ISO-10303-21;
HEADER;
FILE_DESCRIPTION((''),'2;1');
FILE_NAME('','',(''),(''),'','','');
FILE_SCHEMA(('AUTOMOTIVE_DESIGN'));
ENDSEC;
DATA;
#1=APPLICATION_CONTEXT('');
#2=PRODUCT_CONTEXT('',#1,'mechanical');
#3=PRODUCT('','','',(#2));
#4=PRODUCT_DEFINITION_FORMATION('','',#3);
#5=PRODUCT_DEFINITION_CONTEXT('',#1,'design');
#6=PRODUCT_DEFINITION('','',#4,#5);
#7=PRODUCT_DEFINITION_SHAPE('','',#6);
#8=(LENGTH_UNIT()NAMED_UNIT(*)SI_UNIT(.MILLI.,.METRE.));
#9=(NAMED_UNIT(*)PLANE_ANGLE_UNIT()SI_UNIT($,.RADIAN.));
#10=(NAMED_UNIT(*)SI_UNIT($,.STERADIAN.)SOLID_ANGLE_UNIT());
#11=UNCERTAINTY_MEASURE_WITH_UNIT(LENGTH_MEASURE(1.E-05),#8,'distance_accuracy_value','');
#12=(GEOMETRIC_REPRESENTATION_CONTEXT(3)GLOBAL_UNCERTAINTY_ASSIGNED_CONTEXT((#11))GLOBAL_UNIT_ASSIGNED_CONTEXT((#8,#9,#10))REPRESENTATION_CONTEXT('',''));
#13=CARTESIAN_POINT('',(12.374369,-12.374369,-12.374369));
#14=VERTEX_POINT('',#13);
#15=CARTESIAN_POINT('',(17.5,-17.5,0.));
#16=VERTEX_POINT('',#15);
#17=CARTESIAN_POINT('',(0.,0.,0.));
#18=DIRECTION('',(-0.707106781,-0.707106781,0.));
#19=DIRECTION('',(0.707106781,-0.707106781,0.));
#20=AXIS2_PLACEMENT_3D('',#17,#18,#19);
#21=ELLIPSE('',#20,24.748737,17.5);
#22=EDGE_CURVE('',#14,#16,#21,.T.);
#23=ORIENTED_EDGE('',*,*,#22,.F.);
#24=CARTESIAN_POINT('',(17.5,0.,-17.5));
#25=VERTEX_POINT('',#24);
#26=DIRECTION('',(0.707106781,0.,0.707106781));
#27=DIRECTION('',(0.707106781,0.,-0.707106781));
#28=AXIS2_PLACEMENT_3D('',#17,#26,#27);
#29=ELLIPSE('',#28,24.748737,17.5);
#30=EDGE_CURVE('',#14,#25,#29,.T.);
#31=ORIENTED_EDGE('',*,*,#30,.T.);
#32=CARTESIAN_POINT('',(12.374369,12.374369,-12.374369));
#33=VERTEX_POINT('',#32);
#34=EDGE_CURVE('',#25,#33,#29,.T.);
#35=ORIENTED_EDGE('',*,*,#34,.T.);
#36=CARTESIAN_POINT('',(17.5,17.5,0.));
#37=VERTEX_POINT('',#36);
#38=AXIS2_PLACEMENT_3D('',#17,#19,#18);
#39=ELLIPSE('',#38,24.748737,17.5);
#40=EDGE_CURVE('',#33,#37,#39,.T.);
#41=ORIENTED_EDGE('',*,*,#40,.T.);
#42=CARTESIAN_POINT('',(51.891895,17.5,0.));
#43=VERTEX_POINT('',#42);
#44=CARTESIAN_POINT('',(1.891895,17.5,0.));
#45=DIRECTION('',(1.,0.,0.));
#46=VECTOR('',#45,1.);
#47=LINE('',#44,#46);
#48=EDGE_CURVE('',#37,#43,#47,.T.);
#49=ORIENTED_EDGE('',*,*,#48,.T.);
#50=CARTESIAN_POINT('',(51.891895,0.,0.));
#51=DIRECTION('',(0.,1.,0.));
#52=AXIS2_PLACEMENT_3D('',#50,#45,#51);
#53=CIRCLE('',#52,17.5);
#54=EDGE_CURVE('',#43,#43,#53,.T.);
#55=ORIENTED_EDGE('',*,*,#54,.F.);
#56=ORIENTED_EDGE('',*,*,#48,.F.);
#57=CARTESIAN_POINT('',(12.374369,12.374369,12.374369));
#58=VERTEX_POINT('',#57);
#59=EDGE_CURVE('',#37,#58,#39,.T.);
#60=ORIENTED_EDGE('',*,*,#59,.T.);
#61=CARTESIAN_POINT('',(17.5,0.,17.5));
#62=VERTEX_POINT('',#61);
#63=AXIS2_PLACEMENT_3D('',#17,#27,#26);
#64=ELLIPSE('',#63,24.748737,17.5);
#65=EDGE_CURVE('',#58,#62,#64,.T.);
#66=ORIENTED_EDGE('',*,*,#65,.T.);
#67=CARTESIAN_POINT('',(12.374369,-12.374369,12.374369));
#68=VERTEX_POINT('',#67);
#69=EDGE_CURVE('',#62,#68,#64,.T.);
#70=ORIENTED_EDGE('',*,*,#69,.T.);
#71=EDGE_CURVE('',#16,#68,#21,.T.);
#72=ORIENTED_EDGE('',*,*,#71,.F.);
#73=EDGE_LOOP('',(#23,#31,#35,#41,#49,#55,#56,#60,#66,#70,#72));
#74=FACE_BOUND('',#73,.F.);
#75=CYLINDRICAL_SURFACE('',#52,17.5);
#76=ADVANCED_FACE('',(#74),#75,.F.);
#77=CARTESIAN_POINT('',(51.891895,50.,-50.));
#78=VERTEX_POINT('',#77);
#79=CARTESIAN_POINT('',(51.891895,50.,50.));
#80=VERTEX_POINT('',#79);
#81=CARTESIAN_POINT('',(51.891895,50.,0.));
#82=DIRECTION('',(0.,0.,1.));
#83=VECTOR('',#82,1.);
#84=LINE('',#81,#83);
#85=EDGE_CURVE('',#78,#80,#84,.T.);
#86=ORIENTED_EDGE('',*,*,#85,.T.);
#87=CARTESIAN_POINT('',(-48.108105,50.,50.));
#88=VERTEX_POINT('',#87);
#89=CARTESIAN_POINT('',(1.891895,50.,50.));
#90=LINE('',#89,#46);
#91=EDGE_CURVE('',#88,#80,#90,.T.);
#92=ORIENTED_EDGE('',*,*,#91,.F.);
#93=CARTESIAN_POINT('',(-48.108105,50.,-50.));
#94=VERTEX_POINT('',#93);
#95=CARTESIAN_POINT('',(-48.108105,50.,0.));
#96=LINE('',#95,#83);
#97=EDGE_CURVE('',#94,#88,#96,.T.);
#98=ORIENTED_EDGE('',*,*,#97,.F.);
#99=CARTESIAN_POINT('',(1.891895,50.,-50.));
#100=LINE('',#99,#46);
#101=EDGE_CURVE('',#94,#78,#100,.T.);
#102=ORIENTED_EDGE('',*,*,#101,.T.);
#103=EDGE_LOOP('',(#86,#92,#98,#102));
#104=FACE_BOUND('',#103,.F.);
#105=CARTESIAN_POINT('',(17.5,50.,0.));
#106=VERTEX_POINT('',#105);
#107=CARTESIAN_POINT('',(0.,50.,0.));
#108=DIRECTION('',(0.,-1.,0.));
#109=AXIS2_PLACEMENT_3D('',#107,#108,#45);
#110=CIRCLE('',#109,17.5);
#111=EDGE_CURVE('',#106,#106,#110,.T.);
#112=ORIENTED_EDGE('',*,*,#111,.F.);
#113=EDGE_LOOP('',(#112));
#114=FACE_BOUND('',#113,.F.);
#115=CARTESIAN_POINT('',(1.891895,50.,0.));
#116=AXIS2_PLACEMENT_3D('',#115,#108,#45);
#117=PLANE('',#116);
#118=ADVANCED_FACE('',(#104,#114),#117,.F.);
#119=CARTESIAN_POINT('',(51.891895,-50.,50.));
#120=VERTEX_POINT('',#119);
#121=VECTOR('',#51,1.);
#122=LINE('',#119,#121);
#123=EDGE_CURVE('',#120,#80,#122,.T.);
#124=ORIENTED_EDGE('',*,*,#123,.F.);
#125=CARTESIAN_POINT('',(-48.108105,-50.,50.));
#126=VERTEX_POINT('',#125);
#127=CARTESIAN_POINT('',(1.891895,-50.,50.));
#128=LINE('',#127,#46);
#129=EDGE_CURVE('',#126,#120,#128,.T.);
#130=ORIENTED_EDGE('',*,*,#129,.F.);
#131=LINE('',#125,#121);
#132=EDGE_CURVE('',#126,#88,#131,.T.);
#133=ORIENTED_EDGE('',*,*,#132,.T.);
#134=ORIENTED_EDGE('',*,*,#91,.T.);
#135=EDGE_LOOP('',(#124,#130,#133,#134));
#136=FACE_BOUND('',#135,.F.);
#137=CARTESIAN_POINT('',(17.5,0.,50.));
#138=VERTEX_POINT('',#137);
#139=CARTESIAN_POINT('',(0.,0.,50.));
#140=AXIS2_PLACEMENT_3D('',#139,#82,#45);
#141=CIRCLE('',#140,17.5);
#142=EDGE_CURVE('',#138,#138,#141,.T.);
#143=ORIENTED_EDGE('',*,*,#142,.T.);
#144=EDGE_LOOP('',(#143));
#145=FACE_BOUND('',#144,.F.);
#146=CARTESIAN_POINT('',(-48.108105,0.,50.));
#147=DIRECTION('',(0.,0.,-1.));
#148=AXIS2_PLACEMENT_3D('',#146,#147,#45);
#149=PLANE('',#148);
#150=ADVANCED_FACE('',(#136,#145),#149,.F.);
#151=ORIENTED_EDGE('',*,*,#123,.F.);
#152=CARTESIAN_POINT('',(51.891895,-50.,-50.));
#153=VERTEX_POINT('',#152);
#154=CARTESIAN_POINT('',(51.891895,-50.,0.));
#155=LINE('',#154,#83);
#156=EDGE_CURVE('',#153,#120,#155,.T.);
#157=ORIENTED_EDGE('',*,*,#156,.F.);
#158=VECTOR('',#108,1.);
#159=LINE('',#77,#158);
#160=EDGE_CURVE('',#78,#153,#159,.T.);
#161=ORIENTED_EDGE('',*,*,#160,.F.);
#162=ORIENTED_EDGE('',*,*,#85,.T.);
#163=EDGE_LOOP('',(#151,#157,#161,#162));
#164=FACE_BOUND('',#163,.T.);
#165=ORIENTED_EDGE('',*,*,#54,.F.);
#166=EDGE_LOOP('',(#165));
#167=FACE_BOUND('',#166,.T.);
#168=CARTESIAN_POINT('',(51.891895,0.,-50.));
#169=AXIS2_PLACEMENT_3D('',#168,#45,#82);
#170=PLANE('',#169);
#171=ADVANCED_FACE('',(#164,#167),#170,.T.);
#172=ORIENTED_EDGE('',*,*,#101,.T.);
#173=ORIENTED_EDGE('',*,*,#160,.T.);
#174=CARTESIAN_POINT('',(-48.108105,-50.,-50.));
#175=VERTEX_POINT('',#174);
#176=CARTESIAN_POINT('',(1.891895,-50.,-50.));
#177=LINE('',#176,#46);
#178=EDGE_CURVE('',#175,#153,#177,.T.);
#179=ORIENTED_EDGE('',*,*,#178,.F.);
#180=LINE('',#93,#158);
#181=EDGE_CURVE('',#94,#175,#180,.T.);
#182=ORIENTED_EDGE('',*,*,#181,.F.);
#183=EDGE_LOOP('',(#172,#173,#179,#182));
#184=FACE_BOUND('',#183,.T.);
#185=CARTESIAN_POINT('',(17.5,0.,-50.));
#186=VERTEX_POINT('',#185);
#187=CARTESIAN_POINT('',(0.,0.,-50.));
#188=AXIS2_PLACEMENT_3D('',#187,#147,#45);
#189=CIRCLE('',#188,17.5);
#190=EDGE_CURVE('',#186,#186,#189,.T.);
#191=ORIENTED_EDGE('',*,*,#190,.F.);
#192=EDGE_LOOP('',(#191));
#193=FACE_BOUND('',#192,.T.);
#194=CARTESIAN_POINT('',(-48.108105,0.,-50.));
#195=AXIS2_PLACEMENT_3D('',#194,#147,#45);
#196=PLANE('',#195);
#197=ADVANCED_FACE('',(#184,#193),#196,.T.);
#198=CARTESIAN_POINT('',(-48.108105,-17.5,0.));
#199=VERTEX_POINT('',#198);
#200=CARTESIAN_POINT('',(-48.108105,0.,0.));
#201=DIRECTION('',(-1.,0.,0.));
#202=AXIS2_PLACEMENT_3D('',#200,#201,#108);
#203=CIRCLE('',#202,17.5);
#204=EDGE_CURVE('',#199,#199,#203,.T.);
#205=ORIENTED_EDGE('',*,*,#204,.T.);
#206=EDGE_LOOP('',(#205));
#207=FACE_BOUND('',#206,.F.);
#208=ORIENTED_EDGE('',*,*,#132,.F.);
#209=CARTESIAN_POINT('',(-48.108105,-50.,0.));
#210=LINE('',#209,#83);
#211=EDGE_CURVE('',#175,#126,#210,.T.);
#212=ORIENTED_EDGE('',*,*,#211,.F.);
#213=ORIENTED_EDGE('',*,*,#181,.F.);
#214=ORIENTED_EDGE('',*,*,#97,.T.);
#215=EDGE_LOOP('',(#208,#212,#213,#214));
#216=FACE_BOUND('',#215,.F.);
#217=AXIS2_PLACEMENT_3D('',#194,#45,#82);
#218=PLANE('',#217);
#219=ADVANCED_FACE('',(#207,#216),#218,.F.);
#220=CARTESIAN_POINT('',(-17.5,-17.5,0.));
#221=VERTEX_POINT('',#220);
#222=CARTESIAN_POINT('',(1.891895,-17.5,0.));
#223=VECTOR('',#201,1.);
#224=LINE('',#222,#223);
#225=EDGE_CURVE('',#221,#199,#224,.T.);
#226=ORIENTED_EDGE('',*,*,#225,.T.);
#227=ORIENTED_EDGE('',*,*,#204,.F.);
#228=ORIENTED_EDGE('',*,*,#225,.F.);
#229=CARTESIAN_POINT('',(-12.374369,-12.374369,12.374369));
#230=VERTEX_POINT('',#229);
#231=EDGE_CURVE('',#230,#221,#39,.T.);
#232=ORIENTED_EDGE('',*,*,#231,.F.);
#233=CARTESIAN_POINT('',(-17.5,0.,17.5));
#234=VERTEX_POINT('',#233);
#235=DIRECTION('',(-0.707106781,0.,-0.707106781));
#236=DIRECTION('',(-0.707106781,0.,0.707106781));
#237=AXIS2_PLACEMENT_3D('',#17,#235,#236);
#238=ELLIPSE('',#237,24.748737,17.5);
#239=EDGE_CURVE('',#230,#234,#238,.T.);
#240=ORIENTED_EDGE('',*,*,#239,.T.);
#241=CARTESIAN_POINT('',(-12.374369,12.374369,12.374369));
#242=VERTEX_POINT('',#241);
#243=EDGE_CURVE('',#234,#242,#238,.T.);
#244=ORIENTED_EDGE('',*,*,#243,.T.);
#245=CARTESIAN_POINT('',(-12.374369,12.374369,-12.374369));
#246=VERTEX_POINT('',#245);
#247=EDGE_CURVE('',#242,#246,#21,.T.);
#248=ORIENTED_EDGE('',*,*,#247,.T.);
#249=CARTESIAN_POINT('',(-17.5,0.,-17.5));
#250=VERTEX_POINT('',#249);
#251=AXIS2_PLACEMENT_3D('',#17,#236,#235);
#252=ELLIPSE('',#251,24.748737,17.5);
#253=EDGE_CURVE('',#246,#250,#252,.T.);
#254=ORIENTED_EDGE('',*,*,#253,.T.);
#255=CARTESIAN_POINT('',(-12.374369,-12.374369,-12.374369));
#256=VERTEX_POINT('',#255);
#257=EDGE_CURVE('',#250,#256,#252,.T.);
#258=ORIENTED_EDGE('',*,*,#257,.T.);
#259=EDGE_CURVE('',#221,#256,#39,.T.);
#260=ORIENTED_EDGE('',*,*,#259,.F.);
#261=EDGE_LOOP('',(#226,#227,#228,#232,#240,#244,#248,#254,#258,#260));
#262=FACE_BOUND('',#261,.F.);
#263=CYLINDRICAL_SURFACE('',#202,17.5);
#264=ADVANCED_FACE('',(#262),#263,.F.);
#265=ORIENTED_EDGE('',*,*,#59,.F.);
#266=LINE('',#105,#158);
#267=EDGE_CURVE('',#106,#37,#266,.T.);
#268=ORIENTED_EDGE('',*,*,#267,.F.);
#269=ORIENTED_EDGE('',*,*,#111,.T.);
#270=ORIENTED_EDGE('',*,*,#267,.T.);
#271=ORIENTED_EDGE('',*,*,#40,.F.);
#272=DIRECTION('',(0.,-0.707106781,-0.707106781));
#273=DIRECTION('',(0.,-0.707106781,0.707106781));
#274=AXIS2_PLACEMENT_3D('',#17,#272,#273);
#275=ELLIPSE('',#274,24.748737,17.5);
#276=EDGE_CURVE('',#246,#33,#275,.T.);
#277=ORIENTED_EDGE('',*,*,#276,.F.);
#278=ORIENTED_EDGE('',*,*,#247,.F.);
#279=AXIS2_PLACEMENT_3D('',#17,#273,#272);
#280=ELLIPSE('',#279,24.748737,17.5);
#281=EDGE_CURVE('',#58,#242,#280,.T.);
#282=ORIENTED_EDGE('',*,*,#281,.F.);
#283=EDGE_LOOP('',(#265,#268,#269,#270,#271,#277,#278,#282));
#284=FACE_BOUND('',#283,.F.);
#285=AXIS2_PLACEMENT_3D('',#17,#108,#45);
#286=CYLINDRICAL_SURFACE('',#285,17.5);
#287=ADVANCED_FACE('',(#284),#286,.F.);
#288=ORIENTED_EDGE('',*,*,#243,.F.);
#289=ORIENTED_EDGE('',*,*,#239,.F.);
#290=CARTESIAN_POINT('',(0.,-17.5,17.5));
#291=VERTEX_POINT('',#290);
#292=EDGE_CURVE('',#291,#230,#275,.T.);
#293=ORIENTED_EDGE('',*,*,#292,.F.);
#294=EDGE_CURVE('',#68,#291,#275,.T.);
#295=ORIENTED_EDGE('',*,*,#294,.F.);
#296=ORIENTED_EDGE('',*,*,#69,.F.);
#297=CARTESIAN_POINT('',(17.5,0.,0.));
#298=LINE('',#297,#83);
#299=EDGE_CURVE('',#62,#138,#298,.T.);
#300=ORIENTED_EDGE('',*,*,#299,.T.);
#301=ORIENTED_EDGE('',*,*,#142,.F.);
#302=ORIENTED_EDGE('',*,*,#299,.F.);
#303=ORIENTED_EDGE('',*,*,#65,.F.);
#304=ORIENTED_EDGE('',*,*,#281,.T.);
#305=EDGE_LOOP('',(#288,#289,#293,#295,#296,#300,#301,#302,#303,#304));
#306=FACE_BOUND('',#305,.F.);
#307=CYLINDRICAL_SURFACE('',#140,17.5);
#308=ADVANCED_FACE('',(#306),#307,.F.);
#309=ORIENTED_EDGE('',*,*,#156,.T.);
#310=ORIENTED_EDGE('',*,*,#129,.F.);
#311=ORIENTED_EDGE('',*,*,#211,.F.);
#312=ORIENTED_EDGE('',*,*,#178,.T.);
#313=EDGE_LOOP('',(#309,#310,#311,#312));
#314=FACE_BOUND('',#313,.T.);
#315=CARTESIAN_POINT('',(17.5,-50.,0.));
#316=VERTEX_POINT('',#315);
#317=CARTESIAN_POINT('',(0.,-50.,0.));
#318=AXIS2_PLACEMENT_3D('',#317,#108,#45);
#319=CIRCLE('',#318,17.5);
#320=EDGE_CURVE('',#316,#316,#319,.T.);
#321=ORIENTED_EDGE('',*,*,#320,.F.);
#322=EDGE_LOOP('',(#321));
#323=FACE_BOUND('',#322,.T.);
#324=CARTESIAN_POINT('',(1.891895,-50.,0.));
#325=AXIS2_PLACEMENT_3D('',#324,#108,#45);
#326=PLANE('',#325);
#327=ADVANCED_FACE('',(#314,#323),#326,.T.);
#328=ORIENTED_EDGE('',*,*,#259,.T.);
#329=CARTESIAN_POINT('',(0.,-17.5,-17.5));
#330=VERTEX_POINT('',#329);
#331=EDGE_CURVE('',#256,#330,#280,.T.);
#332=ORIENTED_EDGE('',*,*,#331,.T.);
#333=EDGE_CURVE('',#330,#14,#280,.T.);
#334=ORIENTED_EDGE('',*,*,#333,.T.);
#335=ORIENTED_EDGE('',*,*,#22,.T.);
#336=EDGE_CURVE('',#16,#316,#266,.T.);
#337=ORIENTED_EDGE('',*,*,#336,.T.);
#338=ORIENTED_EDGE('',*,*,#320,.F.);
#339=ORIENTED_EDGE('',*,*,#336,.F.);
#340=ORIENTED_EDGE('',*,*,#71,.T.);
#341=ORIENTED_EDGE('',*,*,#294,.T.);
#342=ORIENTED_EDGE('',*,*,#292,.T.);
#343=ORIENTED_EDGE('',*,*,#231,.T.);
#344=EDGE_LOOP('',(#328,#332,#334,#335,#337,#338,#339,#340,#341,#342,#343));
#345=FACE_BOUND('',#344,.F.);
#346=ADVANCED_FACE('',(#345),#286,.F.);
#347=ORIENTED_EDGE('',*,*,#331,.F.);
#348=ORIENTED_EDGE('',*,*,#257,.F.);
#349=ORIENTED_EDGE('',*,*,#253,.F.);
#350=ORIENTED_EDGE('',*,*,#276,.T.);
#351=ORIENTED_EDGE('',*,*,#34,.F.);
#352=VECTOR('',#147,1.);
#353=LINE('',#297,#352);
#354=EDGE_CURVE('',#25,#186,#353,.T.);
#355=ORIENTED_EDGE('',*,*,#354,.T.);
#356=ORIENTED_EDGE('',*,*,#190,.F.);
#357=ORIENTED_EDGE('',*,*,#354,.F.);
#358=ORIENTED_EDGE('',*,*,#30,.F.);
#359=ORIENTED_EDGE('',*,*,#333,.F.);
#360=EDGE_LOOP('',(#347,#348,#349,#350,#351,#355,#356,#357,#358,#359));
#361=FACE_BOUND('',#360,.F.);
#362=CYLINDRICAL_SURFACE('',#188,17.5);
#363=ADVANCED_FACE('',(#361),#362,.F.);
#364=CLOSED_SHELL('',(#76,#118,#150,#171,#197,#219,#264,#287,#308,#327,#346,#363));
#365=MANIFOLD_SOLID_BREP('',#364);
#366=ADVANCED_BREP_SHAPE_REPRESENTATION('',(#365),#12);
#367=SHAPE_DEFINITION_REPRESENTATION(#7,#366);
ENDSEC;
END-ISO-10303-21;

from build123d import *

# Parameters (mm, degrees)
F0_W      = 100
F0_H      = 100
F1_DEPTH  = 50
F2_R      = 17.5
F3_DEPTH  = 50
F4_R      = 17.5
F5_DEPTH  = 50
F6_R      = 17.5
F7_DEPTH  = 50
F8_R      = 17.5
F9_DEPTH  = 50
F10_R     = 17.5
F11_DEPTH = 50


with BuildPart() as f1:
    # F0 (on Front) → F1 (new body, symmetric)
    with BuildSketch(Plane.XZ):
        with Locations((1.8918946969, 0)):
            Rectangle(F0_W, F0_H)
    extrude(amount=F1_DEPTH, both=True)

    # F2 (on Front) → F3 (cut, symmetric)
    with BuildSketch(Plane.XZ):
        Circle(F2_R)
    extrude(amount=F3_DEPTH, both=True, mode=Mode.SUBTRACT)

    # F4 (on face) → F5 (cut, symmetric)
    with BuildSketch(Plane.YZ.offset(51.8918946969)):
        Circle(F4_R)
    extrude(amount=F5_DEPTH, both=True, mode=Mode.SUBTRACT)

    # F6 (on face) → F7 (cut, symmetric)
    with BuildSketch(Plane(origin=(-48.1081053031, 0, 0), x_dir=(0, -1, 0), z_dir=(-1, 0, 0))):
        Circle(F6_R)
    extrude(amount=F7_DEPTH, both=True, mode=Mode.SUBTRACT)

    # F8 (on face) → F9 (cut, symmetric)
    with BuildSketch(Plane.XY.offset(50)):
        Circle(F8_R)
    extrude(amount=F9_DEPTH, both=True, mode=Mode.SUBTRACT)

    # F10 (on face) → F11 (cut, symmetric)
    with BuildSketch(Plane(origin=(0, 0, -50), x_dir=(1, 0, 0), z_dir=(0, 0, -1))):
        Circle(F10_R)
    extrude(amount=F11_DEPTH, both=True, mode=Mode.SUBTRACT)


solid = f1.part
